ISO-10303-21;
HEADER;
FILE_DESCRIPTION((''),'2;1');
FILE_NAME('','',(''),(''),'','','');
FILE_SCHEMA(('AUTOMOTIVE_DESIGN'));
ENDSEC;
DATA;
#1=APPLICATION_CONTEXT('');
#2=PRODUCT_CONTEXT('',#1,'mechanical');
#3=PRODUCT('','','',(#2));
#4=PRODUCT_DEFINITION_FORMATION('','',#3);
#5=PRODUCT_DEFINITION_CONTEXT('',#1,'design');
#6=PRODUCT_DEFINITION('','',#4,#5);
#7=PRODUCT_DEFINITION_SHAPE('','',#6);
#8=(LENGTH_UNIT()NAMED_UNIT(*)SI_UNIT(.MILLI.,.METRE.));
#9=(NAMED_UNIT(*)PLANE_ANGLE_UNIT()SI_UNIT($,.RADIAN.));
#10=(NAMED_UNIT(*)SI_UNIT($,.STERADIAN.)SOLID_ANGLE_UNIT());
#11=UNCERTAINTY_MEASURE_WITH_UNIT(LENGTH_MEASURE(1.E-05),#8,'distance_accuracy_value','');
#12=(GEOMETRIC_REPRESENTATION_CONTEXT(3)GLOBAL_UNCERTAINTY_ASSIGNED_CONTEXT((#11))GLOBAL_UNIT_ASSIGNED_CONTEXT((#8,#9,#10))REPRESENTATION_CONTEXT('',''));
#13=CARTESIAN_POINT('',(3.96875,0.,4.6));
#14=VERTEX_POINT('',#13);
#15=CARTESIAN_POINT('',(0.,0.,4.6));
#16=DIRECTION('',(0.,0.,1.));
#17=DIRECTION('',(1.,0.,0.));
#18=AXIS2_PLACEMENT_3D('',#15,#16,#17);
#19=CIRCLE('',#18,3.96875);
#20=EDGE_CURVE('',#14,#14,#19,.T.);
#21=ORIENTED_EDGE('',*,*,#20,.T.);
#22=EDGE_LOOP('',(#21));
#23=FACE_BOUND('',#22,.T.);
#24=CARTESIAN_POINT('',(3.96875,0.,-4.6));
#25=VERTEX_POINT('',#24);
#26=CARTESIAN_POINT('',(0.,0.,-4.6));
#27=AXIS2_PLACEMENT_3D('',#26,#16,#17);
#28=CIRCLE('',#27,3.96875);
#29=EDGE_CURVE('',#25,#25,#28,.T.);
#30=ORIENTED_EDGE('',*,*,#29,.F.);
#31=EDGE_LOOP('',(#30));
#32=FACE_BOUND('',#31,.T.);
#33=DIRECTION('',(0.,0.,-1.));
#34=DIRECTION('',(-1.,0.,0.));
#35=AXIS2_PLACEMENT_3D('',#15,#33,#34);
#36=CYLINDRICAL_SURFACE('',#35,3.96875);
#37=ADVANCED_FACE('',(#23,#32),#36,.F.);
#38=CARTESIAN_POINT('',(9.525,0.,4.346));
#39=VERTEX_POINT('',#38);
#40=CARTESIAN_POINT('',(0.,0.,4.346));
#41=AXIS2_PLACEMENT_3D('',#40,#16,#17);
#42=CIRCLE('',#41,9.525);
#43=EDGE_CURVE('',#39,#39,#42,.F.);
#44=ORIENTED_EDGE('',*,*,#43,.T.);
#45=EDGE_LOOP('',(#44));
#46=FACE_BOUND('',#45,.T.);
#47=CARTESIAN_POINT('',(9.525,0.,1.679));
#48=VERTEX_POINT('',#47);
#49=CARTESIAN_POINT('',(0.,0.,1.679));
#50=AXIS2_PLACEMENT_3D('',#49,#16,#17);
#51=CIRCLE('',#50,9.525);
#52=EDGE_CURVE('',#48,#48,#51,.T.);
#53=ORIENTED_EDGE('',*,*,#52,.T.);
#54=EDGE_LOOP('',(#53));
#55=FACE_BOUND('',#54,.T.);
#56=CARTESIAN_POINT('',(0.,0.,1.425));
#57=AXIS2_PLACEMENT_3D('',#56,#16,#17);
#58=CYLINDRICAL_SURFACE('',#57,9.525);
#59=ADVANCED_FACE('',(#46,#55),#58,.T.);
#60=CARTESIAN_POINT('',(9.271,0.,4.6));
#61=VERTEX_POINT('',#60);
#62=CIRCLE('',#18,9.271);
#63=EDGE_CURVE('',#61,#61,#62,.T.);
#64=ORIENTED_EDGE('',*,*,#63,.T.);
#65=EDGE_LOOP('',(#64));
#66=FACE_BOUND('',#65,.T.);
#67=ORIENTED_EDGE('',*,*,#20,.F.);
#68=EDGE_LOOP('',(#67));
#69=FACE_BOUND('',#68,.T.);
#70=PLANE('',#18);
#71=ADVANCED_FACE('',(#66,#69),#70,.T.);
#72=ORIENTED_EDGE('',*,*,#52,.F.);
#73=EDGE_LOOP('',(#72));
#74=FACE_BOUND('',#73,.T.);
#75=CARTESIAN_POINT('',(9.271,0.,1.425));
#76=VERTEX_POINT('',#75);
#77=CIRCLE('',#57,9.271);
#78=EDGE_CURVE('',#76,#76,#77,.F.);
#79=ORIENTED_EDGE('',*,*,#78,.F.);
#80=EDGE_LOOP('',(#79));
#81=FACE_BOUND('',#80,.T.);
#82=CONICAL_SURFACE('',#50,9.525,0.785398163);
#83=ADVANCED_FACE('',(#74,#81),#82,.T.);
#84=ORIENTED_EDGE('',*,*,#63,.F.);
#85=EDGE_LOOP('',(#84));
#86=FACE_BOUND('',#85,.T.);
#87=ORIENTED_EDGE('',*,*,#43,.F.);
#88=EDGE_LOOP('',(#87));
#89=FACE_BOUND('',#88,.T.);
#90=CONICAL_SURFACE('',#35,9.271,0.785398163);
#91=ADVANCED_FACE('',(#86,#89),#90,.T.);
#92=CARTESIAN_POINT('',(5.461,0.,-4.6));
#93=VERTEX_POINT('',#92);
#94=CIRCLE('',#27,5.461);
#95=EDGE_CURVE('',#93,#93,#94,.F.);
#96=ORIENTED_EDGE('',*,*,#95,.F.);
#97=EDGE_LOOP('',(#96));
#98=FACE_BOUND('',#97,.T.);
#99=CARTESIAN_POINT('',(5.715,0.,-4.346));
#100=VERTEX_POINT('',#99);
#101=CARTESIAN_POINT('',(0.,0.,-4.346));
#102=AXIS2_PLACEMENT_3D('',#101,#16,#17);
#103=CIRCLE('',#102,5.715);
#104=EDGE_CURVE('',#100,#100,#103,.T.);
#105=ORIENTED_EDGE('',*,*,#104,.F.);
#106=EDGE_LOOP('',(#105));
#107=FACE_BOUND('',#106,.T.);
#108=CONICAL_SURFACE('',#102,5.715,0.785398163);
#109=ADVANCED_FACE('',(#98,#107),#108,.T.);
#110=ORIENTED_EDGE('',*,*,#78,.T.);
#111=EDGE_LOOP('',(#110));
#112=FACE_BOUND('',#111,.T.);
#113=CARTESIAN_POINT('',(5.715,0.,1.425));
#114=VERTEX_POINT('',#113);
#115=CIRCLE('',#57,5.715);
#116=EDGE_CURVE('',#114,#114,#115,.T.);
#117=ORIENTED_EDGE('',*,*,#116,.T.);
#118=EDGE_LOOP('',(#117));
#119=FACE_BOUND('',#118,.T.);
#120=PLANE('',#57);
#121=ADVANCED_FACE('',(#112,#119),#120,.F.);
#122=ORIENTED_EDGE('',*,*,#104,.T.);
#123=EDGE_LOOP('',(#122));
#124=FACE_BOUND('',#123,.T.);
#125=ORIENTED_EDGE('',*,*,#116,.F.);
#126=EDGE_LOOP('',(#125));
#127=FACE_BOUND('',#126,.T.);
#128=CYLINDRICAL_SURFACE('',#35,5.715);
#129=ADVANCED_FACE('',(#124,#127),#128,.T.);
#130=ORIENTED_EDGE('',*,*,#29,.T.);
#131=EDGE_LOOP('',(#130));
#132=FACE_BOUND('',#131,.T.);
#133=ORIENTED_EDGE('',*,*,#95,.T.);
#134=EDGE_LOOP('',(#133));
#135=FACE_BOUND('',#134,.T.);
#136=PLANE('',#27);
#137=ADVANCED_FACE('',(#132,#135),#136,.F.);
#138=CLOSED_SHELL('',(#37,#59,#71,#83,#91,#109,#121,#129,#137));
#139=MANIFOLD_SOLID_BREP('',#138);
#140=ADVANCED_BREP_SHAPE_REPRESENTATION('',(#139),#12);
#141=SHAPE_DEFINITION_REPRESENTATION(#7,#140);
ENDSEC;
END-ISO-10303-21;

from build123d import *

# Parameters (mm, degrees)
SKETCH1_R           = 5.715
SKETCH1_R_2         = 3.96875
BOSS_EXTRUDE1_DEPTH = 4.6
SKETCH2_R           = 9.525
SKETCH2_R_2         = 5.715
BOSS_EXTRUDE2_DEPTH = 3.175
CHAMFER2_SIZE       = 0.254


with BuildPart() as part:
    # Sketch1 → Boss-Extrude1 (new body, symmetric)
    with BuildSketch(Plane.XY):
        Circle(SKETCH1_R)
        Circle(SKETCH1_R_2, mode=Mode.SUBTRACT)
    extrude(amount=BOSS_EXTRUDE1_DEPTH, both=True)

    # Sketch2 → Boss-Extrude2 (add)
    with BuildSketch(Plane.XY.offset(4.6)):
        Circle(SKETCH2_R)
        Circle(SKETCH2_R_2, mode=Mode.SUBTRACT)
    extrude(amount=-BOSS_EXTRUDE2_DEPTH)

    # Chamfer2
    chamfer2_edges = [part.edges().sort_by_distance(p)[0] for p in [
        (-9.525, 0, 1.425),
        (-9.525, 0, 4.6),
        (-5.715, 0, -4.6),
    ]]
    chamfer(chamfer2_edges, length=CHAMFER2_SIZE)


solid = part.part
